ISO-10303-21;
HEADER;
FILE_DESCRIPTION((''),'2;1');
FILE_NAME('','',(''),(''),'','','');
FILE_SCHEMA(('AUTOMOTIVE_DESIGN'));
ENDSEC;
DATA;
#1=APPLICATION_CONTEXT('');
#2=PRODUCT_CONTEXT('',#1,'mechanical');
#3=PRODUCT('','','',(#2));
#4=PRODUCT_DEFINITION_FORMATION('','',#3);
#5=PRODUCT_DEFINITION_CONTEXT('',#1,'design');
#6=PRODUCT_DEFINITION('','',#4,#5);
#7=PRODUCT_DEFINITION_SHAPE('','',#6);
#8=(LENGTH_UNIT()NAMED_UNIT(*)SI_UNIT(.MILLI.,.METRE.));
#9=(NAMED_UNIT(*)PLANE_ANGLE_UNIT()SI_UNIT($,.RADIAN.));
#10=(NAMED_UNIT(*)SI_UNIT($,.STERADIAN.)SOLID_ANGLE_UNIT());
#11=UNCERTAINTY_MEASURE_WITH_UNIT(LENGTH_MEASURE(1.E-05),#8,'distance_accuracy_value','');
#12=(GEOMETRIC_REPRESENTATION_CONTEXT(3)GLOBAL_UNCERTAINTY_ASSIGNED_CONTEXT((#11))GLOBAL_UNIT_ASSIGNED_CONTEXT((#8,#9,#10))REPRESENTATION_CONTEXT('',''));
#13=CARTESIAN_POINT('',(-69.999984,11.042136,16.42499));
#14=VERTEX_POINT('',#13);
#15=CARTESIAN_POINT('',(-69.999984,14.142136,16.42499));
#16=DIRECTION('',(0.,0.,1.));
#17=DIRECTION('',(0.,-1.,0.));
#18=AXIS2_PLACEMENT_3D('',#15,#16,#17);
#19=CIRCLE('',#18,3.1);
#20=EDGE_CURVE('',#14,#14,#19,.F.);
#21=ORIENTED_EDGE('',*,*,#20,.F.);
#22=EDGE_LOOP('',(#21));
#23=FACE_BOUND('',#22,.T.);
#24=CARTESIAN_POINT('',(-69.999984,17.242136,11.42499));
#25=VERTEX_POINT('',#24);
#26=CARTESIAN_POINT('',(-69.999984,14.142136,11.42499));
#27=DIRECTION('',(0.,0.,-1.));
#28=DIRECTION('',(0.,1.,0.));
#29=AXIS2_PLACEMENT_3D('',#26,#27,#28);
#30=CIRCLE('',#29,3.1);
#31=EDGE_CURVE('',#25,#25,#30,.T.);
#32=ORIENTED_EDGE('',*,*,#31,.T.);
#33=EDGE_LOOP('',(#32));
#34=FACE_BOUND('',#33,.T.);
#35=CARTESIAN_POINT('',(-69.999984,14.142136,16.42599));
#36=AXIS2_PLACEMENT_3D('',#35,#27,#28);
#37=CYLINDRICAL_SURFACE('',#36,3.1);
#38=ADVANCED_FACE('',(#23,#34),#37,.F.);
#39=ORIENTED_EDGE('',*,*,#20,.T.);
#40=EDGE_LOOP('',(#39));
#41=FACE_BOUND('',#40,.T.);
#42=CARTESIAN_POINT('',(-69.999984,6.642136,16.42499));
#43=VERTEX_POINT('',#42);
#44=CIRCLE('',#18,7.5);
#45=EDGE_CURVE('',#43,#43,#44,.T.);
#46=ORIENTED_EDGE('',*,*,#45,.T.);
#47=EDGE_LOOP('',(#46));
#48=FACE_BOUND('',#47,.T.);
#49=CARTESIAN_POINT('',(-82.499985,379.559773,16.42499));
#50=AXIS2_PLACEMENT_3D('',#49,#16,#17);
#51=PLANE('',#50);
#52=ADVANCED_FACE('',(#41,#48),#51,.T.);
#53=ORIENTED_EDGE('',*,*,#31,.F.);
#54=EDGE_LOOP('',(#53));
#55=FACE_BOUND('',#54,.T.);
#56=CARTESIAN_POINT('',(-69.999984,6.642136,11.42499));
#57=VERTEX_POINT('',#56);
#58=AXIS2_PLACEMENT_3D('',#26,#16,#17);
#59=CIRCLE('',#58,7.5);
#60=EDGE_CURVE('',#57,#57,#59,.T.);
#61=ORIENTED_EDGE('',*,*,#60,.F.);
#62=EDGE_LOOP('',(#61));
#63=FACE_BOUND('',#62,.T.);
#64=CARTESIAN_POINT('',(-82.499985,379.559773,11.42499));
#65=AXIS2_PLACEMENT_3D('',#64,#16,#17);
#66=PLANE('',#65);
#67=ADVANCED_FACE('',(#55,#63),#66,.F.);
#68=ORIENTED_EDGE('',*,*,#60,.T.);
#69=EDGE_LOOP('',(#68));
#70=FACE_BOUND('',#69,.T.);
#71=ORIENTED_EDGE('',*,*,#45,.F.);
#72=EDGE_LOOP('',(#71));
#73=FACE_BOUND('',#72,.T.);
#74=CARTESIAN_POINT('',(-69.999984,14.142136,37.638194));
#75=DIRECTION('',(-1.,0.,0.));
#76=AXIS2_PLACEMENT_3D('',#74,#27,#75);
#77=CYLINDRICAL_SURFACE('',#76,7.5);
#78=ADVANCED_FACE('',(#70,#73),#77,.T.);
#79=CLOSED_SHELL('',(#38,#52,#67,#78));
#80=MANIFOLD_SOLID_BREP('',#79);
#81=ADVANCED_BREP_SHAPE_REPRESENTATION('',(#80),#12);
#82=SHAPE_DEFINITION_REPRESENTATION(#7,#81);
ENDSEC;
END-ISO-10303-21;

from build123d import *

# Parameters (mm, degrees)
SKETCH1_R           = 7.5
SKETCH1_R_2         = 3
BOSS_EXTRUDE1_DEPTH = 3.82499
SKETCH2_R           = 7.5
SKETCH2_R_2         = 3
BOSS_EXTRUDE2_DEPTH = 1.17501
CUT_EXTRUDE1_REACH  = 7
SKETCH3_R           = 3.1


with BuildPart() as part:
    # Sketch1 → Boss-Extrude1 (new body)
    with BuildSketch(Plane.XY.offset(12.6)):
        with Locations((-69.999984325, 14.142135624)):
            Circle(SKETCH1_R)
        with Locations((-69.999984325, 14.142135624)):
            Circle(SKETCH1_R_2, mode=Mode.SUBTRACT)
    extrude(amount=BOSS_EXTRUDE1_DEPTH)

    # Sketch2 → Boss-Extrude2 (add)
    with BuildSketch(Plane(origin=(0, 0, 12.6), x_dir=(-1, 0, 0), z_dir=(0, 0, -1))):
        with Locations((69.999984325, 14.142135624)):
            Circle(SKETCH2_R)
        with Locations((69.999984325, 14.142135624)):
            Circle(SKETCH2_R_2, mode=Mode.SUBTRACT)
    extrude(amount=BOSS_EXTRUDE2_DEPTH)

    # Sketch3 → Cut-Extrude1 (cut, up to next)
    with BuildSketch(Plane(origin=(0, 0, 11.424990227), x_dir=(-1, 0, 0), z_dir=(0, 0, -1)), mode=Mode.PRIVATE) as cut_extrude1_sk1:
        with Locations((69.999984325, 14.142135624)):
            Circle(SKETCH3_R)
    cut_extrude1_tool1 = extrude(cut_extrude1_sk1.sketch, amount=-CUT_EXTRUDE1_REACH, mode=Mode.PRIVATE) & part.part
    add(cut_extrude1_tool1.solids().sort_by_distance((-69.999984, 14.142136, 11.42499))[0], mode=Mode.SUBTRACT)


solid = part.part
